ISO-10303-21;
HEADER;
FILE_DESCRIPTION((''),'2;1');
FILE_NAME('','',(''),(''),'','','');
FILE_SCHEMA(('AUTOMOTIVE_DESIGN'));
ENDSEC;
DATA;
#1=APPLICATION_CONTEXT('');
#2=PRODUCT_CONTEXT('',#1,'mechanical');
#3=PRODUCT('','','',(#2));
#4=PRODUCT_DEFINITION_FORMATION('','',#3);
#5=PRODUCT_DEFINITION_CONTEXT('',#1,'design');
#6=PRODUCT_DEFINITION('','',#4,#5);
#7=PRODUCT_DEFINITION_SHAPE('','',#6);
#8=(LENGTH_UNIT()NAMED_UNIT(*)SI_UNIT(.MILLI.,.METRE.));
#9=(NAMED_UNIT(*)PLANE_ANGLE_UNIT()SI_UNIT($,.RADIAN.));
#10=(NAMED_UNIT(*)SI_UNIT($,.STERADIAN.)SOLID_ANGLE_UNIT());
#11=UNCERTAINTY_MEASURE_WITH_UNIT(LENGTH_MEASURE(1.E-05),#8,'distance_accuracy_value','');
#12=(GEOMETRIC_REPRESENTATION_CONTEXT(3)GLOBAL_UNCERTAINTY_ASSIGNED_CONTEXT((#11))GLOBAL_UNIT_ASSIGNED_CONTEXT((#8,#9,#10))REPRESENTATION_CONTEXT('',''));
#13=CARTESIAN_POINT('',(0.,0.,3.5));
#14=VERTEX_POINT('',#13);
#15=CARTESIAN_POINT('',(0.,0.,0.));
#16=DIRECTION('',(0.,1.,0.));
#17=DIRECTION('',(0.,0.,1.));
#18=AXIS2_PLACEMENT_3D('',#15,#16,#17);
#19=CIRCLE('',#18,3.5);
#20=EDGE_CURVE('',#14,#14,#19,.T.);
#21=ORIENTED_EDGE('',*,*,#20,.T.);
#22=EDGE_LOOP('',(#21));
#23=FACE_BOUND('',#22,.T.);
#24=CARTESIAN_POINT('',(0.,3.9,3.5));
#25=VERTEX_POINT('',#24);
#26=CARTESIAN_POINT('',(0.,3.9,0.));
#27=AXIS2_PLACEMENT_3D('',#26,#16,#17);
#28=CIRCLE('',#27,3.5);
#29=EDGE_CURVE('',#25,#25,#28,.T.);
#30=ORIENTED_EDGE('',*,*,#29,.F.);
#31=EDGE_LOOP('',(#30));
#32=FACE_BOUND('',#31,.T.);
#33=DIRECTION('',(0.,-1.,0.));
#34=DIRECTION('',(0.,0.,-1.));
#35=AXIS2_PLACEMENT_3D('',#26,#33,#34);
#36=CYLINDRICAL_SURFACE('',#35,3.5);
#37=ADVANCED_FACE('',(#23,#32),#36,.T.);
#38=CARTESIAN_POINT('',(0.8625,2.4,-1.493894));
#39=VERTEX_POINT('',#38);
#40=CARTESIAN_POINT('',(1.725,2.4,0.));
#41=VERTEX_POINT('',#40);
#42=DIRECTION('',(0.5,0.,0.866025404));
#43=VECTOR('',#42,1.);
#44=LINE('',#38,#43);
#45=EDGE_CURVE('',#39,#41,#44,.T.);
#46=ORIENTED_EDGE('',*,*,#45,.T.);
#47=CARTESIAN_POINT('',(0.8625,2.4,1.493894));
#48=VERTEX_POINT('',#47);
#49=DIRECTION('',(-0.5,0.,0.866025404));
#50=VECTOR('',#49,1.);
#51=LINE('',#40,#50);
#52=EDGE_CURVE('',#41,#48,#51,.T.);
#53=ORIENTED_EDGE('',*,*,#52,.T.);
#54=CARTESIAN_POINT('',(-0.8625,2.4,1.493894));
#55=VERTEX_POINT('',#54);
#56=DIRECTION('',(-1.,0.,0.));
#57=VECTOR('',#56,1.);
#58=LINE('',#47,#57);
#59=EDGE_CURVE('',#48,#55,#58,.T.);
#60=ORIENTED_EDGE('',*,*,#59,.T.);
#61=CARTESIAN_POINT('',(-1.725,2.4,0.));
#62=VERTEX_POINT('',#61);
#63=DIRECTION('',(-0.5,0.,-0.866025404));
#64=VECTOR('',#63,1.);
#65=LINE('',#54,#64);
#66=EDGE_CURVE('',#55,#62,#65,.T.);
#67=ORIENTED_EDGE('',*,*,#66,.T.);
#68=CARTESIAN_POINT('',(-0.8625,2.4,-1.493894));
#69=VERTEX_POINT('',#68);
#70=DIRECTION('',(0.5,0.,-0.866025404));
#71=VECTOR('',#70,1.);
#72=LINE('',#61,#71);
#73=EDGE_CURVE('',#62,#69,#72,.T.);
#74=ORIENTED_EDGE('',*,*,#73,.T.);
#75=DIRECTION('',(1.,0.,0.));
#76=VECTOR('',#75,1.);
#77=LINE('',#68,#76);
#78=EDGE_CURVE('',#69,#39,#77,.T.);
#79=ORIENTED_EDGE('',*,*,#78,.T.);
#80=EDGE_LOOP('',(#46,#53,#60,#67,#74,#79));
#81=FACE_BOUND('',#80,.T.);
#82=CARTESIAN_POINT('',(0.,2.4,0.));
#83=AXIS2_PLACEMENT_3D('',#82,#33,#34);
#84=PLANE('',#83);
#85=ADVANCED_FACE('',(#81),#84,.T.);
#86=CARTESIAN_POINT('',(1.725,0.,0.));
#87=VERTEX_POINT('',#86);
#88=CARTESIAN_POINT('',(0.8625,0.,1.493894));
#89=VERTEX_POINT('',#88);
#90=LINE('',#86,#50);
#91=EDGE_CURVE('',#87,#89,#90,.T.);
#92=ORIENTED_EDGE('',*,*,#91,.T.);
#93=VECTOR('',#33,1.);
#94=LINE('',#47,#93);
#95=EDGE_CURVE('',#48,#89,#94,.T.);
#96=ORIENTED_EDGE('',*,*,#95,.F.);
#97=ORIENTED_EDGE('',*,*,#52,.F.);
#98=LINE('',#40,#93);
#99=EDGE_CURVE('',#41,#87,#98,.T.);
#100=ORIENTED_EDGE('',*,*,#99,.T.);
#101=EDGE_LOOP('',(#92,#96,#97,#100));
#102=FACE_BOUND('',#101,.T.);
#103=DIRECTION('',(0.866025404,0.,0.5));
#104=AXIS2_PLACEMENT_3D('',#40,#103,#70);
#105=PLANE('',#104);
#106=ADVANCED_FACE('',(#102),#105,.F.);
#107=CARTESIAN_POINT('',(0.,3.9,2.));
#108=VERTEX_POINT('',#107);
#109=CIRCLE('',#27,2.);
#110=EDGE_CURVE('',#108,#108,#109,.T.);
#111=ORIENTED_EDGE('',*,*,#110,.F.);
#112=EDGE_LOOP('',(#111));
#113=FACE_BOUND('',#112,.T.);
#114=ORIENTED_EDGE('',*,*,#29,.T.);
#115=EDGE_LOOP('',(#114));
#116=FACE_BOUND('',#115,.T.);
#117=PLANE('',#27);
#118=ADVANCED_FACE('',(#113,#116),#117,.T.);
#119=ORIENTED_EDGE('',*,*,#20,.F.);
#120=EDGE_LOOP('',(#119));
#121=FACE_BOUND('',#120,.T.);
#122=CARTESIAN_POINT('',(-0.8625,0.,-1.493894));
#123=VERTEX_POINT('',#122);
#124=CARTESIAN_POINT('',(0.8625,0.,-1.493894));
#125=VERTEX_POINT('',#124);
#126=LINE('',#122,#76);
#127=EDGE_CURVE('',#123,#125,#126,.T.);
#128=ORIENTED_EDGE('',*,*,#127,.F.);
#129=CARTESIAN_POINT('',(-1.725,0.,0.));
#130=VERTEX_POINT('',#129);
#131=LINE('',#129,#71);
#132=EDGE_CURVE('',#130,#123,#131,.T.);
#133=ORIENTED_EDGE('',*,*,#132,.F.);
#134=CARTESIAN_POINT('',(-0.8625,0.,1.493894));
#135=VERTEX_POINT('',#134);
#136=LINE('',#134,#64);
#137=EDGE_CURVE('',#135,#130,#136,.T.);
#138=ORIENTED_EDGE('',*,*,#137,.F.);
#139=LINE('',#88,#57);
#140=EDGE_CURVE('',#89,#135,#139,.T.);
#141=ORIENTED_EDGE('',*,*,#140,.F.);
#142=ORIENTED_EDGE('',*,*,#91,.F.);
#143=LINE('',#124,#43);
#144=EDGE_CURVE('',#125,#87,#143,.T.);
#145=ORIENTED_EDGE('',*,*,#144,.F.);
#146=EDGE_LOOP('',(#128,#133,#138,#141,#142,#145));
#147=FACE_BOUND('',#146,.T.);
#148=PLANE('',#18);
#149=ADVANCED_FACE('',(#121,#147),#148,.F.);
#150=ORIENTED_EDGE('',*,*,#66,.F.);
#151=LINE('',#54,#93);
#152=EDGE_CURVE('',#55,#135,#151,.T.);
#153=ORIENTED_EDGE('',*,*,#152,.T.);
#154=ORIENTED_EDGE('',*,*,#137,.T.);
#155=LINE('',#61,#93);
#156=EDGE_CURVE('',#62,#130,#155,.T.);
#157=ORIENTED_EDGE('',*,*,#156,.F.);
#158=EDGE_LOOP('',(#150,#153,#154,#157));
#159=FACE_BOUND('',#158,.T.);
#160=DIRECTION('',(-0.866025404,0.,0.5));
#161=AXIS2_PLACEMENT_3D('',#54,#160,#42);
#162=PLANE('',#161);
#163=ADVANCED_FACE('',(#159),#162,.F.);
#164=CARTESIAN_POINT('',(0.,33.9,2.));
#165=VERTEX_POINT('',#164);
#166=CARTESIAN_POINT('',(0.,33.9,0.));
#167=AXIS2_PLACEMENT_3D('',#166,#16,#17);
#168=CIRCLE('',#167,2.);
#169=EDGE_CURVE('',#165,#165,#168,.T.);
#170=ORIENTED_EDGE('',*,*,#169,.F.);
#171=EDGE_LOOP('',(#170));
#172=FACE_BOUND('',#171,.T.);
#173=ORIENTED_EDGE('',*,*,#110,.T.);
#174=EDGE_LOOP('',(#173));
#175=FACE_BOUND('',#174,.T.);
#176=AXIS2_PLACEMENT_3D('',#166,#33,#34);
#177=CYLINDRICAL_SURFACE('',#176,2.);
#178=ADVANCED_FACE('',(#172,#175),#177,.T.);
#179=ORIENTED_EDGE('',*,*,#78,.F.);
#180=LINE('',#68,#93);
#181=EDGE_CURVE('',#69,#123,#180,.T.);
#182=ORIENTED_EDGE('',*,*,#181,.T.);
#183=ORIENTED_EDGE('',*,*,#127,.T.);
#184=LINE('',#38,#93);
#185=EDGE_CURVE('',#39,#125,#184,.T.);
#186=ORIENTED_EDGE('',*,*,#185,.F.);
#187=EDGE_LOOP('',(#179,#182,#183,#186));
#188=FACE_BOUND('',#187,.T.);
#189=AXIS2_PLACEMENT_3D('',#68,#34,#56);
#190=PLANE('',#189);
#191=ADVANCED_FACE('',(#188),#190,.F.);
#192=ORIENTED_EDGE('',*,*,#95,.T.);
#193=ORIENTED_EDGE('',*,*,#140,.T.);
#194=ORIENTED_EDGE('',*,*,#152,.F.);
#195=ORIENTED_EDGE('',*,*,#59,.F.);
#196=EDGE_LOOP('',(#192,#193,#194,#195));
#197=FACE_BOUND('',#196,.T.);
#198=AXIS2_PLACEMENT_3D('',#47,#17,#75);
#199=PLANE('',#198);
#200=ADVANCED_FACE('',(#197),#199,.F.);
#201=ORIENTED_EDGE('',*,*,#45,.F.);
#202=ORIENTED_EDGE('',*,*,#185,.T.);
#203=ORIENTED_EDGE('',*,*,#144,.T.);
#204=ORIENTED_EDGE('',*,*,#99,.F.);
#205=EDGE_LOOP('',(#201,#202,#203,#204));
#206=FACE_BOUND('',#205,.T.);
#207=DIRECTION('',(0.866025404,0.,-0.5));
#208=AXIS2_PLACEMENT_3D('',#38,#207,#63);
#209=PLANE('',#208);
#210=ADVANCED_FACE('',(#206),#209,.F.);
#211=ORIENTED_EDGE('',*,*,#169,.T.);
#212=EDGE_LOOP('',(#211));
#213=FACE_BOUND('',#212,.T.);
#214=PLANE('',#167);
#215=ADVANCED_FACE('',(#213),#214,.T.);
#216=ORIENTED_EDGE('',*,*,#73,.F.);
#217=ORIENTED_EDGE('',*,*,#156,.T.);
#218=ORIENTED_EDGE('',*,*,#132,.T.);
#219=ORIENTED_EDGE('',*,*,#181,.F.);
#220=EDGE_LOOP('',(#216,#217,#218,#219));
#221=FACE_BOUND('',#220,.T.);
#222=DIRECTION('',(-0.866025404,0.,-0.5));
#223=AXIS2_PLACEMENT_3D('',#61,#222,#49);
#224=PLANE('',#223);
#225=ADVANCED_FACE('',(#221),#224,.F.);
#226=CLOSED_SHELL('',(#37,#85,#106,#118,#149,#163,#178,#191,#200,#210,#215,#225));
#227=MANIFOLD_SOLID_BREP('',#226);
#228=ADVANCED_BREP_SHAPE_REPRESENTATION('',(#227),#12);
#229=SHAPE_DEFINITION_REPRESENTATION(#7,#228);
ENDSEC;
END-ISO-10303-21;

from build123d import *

# Parameters (mm, degrees)
SKETCH_1_R          = 3.5
EXTRUDE_1_DEPTH     = 3.9
SKETCH_2_R          = 2
EXTRUDE_2_DEPTH     = 30
CUT_EXTRUDE_1_DEPTH = 2.4


with BuildPart() as part:
    # 草图1 → 凸台-拉伸1 (new body)
    with BuildSketch(Plane(origin=(0, 0, 0), x_dir=(1, 0, 0), z_dir=(0, 1, 0))):
        Circle(SKETCH_1_R)
    extrude(amount=EXTRUDE_1_DEPTH)

    # 草图2 → 凸台-拉伸2 (add)
    with BuildSketch(Plane(origin=(0, 3.9, 0), x_dir=(1, 0, 0), z_dir=(0, 1, 0))):
        Circle(SKETCH_2_R)
    extrude(amount=EXTRUDE_2_DEPTH)

    # 草图3 → 切除-拉伸1 (cut)
    with BuildSketch(Plane.XZ):
        Polygon((1.725, 0), (0.8625, 1.493893822), (-0.8625, 1.493893822), (-1.725, 0), (-0.8625, -1.493893822), (0.8625, -1.493893822), align=None)
    extrude(amount=-CUT_EXTRUDE_1_DEPTH, mode=Mode.SUBTRACT)


solid = part.part
